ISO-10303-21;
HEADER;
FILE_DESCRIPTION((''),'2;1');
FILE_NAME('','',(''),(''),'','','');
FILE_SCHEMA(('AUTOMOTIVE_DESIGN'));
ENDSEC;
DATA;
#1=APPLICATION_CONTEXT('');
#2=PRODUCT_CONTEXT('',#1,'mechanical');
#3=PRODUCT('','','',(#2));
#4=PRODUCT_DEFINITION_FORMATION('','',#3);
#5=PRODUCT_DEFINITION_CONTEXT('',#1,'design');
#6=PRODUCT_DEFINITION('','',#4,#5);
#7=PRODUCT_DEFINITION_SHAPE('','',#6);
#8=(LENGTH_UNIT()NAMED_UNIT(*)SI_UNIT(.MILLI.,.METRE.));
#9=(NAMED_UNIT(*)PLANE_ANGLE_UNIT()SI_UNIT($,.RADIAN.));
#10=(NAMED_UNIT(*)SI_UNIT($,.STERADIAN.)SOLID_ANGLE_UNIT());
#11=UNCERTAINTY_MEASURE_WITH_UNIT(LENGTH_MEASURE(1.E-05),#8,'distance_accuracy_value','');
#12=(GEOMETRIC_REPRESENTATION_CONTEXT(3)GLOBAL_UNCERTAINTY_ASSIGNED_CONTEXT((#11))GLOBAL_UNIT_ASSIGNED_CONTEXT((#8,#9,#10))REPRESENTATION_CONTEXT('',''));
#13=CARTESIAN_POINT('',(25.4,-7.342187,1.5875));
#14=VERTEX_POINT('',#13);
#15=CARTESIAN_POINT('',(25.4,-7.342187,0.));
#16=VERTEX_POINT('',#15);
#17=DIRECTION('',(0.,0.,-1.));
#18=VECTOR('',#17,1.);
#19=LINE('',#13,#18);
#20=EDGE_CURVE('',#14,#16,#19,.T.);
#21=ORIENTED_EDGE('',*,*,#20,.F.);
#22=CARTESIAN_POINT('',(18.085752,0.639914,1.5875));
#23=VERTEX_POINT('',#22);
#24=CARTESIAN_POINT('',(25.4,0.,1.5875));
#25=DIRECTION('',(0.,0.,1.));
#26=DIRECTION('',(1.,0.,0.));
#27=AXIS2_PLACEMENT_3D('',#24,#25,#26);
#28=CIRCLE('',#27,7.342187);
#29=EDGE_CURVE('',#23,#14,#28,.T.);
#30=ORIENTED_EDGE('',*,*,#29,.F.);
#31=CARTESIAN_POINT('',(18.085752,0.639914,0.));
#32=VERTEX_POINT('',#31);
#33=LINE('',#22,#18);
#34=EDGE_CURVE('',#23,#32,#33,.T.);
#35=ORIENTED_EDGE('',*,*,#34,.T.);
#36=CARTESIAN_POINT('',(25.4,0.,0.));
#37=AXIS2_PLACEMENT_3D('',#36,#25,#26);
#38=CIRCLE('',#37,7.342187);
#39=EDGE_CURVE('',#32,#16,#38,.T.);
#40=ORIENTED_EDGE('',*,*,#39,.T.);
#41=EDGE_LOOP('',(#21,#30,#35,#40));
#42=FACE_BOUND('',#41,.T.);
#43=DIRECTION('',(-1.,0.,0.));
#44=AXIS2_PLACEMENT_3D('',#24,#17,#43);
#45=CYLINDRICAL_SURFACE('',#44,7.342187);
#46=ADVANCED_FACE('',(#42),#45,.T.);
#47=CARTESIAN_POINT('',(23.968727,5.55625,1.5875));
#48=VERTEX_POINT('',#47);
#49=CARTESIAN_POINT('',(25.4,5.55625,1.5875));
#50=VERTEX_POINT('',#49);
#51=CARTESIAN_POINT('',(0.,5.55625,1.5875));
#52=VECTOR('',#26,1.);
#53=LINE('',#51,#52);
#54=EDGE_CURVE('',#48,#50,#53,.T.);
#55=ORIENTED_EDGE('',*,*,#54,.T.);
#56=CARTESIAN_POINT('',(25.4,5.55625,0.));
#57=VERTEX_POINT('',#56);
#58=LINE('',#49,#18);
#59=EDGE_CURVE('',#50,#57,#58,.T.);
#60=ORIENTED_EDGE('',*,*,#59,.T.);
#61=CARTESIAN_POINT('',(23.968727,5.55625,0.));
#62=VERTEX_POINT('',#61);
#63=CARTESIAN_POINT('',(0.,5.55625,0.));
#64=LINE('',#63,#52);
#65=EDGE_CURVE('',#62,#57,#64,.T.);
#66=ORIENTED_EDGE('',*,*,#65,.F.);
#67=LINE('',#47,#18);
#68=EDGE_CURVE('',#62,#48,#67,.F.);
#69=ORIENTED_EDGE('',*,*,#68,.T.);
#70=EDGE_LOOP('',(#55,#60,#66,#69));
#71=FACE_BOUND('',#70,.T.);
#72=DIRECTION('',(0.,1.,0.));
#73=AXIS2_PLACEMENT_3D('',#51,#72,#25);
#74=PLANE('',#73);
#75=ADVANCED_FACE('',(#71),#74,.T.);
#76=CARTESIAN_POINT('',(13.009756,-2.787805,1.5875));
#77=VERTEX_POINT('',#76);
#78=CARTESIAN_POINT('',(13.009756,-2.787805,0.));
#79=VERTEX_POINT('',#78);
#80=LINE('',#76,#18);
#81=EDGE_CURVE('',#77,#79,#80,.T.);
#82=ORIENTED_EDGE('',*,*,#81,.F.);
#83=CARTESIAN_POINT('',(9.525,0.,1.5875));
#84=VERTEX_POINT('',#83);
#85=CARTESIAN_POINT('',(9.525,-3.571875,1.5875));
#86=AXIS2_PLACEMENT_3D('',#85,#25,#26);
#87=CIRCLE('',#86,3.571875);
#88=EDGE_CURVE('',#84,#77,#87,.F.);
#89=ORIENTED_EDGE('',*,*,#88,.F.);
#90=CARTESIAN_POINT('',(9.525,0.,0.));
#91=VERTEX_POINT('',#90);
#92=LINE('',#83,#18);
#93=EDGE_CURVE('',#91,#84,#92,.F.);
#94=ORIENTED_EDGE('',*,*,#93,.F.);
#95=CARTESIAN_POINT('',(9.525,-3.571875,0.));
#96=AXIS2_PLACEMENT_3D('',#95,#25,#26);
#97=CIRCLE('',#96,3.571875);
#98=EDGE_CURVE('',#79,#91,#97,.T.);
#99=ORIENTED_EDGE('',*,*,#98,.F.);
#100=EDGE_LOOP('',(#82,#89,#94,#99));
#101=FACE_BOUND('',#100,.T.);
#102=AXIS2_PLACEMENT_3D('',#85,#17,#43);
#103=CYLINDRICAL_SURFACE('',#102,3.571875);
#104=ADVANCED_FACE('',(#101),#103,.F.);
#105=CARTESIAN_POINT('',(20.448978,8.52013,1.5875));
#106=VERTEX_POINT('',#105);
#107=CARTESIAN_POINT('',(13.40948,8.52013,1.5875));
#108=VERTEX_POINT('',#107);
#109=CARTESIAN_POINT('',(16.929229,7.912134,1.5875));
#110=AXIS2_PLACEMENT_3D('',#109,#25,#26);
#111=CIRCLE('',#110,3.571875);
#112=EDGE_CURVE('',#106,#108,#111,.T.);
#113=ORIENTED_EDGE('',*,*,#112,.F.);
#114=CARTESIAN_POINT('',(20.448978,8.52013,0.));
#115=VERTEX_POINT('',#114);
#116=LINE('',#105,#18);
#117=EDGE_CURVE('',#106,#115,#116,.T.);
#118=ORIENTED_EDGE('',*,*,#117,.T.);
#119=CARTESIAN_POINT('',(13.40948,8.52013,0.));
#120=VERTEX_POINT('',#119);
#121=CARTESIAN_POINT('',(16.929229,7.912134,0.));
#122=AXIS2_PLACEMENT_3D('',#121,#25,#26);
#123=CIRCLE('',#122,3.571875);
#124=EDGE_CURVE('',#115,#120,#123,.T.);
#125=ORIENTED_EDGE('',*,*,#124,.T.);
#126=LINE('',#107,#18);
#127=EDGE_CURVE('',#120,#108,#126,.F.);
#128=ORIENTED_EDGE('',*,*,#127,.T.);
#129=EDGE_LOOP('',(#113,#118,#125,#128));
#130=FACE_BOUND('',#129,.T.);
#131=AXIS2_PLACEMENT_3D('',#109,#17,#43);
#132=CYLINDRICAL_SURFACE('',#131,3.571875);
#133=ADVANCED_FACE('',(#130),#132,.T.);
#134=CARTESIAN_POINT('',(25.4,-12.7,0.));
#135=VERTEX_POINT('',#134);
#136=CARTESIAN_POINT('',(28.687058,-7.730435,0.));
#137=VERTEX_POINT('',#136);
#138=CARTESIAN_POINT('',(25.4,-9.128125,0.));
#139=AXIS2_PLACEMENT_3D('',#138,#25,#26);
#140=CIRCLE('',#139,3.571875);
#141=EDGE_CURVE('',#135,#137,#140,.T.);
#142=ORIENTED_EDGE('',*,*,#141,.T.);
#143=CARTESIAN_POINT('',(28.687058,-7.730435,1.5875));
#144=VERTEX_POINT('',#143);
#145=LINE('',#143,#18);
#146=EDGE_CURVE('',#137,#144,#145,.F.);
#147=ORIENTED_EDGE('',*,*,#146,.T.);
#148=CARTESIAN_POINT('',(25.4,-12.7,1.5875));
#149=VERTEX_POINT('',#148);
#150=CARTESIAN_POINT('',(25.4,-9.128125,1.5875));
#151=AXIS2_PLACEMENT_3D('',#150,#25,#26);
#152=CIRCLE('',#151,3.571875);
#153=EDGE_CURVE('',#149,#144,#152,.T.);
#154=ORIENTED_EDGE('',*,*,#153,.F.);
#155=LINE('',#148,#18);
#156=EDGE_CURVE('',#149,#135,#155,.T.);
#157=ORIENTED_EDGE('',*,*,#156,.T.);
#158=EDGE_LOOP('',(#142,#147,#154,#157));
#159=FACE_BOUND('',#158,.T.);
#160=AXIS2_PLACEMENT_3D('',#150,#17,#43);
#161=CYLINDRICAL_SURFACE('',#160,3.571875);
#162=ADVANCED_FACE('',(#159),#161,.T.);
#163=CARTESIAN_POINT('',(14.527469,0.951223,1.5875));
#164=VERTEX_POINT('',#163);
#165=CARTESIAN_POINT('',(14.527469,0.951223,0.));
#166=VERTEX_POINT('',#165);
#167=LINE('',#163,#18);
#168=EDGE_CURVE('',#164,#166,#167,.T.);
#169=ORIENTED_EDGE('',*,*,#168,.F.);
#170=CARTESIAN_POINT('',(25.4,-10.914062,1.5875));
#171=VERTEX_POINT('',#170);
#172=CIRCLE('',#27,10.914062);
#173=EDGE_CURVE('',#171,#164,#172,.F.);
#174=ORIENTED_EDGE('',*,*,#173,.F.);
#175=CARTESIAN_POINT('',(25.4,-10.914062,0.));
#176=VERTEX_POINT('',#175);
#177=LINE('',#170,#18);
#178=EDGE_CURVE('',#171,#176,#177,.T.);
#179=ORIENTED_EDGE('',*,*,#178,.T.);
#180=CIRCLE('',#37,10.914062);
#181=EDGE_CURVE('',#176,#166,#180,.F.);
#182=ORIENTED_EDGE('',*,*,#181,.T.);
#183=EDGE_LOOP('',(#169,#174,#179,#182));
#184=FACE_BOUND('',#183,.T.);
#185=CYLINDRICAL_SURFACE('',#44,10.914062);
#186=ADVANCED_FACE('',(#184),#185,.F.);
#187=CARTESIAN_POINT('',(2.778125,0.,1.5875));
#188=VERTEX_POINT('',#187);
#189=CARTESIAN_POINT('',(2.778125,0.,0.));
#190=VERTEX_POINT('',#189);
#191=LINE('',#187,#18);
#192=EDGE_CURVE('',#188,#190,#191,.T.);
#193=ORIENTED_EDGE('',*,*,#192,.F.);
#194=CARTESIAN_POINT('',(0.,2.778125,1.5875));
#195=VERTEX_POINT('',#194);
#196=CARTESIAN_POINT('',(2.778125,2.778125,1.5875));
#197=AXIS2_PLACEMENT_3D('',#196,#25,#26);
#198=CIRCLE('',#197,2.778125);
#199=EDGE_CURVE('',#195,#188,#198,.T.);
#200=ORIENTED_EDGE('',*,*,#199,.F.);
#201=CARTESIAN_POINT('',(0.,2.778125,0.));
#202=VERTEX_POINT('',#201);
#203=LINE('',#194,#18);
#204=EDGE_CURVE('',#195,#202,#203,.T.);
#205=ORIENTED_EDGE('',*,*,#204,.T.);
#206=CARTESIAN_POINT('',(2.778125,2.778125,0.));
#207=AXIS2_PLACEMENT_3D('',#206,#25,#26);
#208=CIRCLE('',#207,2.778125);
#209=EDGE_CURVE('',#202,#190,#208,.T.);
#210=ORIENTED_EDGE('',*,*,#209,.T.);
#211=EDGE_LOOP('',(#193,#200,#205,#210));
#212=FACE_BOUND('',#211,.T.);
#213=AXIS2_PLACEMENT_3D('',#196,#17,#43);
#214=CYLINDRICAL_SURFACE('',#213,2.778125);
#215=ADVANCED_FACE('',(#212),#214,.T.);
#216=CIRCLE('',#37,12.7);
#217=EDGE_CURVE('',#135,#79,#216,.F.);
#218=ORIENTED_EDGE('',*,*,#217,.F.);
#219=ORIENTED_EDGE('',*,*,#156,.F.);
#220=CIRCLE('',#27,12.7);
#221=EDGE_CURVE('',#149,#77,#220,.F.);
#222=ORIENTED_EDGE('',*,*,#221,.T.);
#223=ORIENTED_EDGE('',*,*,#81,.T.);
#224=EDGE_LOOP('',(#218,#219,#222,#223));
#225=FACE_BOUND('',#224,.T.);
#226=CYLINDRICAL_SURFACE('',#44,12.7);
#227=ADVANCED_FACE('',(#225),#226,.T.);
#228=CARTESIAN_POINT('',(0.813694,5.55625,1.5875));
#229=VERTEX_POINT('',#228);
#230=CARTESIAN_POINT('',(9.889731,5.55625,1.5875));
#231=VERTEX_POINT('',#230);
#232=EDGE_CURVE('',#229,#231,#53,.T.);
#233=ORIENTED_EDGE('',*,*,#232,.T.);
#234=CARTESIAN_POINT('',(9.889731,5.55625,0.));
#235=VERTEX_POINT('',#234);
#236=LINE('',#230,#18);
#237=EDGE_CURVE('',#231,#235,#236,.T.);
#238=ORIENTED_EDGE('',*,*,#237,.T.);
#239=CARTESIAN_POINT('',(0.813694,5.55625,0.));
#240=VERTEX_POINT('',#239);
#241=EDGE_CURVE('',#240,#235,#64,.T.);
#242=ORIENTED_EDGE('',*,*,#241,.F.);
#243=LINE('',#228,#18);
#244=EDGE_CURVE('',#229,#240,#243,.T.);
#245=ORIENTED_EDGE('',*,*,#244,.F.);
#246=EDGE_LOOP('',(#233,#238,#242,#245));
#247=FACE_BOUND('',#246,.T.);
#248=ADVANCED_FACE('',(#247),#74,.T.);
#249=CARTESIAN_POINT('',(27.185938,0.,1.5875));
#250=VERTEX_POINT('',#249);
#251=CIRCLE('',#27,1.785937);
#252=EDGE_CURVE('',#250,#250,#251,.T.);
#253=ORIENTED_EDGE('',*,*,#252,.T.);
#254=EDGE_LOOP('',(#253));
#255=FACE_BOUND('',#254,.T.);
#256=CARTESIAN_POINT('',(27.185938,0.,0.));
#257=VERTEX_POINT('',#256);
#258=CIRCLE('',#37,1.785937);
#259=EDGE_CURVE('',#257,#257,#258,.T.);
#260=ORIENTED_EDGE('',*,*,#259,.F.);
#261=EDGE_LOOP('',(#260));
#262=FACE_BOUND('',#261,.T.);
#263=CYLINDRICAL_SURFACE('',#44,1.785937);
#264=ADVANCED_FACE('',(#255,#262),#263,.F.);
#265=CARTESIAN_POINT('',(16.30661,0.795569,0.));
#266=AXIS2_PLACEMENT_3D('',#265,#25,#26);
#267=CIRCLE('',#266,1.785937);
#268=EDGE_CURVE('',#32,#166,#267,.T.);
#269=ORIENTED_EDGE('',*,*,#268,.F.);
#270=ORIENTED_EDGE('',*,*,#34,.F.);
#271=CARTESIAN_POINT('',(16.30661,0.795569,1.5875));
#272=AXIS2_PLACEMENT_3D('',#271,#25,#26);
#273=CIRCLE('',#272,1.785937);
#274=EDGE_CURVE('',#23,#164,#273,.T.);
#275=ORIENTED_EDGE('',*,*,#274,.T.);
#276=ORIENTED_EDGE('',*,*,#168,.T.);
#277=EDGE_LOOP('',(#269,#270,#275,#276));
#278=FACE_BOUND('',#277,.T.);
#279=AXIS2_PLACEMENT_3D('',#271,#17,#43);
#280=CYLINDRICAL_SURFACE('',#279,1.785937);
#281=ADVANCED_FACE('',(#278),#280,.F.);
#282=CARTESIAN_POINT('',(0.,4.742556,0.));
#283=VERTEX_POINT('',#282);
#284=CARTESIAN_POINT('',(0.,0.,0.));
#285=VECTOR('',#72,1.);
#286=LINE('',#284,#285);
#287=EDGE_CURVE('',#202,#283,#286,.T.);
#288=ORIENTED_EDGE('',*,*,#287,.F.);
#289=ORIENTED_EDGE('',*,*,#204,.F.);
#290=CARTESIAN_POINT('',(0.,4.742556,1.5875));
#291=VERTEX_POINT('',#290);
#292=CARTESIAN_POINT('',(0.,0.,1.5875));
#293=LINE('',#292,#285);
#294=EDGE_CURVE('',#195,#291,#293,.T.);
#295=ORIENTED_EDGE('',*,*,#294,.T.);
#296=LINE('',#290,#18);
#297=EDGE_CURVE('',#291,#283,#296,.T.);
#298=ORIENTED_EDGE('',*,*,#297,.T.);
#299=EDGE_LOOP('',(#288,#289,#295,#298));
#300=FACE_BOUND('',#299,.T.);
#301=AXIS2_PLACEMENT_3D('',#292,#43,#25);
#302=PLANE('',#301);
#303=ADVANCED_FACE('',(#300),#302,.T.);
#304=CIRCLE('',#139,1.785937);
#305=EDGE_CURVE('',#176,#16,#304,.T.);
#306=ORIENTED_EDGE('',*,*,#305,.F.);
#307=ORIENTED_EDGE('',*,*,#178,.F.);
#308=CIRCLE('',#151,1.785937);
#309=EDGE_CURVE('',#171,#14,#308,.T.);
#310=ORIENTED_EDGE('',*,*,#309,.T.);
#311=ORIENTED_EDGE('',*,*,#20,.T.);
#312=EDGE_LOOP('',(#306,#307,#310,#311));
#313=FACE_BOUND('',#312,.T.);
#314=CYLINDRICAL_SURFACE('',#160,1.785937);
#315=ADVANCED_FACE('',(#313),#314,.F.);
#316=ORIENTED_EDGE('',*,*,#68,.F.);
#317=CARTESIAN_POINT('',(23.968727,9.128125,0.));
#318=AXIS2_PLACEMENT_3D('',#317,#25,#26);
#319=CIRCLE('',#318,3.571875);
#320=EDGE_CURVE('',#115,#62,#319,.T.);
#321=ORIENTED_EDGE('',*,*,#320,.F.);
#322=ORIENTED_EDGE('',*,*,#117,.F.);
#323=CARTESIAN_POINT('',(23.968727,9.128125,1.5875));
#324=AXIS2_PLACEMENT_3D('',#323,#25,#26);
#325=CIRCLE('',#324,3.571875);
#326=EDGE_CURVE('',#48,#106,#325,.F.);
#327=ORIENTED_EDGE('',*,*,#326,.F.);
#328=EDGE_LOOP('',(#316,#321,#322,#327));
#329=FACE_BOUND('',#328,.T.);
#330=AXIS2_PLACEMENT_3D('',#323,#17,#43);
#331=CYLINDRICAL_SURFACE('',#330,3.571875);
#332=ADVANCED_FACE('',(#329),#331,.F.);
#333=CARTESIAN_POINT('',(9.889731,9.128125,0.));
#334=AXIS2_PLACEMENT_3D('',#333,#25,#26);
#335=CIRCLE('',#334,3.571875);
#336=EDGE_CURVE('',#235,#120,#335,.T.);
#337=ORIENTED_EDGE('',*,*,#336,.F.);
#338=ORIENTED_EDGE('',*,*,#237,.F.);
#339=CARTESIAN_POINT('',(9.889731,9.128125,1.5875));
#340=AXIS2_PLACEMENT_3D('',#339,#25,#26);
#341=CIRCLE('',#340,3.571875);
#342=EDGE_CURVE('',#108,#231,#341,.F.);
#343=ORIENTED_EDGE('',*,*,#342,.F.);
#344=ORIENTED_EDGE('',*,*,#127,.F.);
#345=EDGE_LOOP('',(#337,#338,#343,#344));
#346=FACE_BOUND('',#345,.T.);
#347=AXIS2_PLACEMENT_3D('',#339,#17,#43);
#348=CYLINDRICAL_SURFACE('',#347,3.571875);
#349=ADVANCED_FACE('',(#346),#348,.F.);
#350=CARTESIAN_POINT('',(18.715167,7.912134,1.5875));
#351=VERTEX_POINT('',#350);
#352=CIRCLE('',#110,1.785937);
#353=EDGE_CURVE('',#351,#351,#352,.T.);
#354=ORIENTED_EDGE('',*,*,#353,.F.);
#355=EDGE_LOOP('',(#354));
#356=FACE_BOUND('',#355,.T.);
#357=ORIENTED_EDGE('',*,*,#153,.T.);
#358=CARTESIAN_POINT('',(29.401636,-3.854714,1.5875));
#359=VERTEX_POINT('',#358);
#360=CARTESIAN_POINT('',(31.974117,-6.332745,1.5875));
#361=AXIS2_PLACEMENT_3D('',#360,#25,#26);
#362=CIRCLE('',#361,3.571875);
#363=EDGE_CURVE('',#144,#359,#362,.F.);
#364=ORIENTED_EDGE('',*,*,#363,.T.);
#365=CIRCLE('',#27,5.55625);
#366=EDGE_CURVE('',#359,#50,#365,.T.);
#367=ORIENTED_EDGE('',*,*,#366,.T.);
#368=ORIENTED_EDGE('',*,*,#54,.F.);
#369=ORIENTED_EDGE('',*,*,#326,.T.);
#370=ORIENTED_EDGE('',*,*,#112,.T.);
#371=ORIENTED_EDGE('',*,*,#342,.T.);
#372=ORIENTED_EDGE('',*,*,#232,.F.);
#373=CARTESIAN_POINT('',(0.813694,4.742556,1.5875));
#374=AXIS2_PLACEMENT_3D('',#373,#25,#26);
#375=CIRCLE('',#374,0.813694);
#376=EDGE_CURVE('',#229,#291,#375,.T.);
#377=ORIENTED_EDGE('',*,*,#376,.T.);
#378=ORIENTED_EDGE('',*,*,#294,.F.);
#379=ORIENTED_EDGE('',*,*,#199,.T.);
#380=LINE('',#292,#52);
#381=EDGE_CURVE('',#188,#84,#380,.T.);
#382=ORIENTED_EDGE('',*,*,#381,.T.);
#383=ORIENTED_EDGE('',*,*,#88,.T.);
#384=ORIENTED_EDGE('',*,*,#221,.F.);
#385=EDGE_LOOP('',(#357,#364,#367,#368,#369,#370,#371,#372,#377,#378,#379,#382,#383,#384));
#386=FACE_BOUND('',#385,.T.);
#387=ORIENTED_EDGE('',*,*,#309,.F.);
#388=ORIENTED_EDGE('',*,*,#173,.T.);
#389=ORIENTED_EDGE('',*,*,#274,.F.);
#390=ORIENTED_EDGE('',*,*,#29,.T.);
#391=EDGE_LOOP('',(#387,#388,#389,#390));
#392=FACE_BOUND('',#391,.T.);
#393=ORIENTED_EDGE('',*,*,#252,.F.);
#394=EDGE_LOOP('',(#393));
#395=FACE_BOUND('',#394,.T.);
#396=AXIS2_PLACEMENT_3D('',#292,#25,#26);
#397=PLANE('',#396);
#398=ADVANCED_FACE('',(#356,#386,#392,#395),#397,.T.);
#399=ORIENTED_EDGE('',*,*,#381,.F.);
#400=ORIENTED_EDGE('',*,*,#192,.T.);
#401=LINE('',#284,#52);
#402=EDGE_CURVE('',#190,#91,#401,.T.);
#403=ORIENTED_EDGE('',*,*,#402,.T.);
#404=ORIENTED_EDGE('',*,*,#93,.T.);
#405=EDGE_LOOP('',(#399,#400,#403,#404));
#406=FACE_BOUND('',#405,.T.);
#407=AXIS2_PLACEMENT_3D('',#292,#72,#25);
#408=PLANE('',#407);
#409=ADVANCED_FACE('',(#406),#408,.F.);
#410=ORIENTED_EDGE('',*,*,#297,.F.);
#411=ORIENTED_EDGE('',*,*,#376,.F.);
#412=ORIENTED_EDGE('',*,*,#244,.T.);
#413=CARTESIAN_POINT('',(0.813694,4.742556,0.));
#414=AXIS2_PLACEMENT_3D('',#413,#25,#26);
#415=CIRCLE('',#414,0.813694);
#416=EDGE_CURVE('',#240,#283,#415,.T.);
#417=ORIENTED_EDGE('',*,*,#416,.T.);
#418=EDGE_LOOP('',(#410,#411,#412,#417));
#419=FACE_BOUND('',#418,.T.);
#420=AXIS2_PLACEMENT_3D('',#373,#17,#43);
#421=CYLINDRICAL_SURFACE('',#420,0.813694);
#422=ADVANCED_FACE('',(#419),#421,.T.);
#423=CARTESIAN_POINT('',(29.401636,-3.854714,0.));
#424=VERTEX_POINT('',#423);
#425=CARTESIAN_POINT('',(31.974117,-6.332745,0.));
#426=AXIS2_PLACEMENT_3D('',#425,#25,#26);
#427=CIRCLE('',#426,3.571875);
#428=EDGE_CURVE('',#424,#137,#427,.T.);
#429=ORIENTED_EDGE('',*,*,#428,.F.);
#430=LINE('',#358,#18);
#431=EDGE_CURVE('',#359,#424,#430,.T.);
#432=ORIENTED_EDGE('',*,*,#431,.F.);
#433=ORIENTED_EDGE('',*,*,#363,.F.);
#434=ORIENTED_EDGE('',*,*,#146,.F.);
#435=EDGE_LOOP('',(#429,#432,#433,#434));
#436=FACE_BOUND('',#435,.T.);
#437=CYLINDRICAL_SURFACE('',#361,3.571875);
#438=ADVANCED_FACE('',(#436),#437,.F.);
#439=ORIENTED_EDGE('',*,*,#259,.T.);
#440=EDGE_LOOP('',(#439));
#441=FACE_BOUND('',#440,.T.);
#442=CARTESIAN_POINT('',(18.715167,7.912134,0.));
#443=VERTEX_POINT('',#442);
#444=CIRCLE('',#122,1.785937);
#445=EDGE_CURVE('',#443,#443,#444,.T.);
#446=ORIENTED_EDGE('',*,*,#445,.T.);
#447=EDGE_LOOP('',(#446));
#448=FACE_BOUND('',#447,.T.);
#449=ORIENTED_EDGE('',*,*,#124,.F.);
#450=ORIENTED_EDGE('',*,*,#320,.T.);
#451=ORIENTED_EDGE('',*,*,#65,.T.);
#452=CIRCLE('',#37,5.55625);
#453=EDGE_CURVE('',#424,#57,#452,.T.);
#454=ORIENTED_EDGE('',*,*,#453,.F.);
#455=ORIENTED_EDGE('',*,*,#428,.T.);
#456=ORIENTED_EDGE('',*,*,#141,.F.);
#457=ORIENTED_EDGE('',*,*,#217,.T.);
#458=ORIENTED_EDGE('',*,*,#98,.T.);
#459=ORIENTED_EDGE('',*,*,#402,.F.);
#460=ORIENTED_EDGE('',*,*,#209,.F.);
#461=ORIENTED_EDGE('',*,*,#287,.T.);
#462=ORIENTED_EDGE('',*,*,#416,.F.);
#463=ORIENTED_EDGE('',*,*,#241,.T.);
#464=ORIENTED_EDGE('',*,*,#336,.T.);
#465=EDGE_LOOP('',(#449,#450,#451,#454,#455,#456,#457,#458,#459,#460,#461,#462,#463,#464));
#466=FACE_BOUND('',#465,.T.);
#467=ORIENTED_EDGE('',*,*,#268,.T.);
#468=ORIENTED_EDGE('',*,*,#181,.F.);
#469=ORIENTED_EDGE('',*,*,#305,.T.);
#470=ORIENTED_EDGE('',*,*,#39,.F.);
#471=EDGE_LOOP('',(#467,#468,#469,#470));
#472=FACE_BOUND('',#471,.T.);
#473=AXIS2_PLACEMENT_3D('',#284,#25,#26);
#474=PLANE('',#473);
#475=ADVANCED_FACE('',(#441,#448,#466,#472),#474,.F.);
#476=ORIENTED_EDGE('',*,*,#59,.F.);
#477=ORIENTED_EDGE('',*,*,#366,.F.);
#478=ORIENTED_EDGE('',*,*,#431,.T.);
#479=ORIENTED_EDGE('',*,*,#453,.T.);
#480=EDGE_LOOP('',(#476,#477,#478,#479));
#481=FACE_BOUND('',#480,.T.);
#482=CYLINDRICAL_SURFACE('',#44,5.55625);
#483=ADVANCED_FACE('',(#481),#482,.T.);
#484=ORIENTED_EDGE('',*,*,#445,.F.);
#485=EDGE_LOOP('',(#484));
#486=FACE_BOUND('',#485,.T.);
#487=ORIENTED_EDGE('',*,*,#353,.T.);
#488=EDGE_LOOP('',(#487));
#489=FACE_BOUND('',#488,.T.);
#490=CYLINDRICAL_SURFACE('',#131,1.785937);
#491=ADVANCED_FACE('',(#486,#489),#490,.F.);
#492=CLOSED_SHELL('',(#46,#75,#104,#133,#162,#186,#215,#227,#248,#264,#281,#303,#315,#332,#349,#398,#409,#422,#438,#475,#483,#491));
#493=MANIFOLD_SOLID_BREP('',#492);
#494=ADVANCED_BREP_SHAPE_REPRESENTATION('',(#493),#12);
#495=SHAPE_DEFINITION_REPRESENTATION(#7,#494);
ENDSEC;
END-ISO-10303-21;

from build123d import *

# Parameters (mm, degrees)
SKETCH1_R           = 1.7859375
BOSS_EXTRUDE1_DEPTH = 1.5875
FILLET1_R           = 3.571875


with BuildPart() as part:
    # Sketch1 → Boss-Extrude1 (new body)
    with BuildSketch(Plane.XY):
        with BuildLine():
            ThreePointArc((25.4, -12.7), (28.971875, -9.128125), (25.4, -5.55625))
            ThreePointArc((25.4, -5.55625), (30.95625, 0), (25.4, 5.55625))
            Line((25.4, 5.55625), (19.614019559, 5.55625))
            ThreePointArc((19.614019559, 5.55625), (16.929229109, 11.484009389), (14.244438658, 5.55625))
            Line((14.244438658, 5.55625), (0.813693974, 5.55625))
            ThreePointArc((0.813693974, 5.55625), (0.238325447, 5.317924553), (0, 4.742556026))
            Line((0, 4.742556026), (0, 2.778125))
            ThreePointArc((0, 2.778125), (0.813693974, 0.813693974), (2.778125, 0))
            Line((2.778125, 0), (12.7, 0))
            ThreePointArc((12.7, 0), (16.419743879, -8.980256121), (25.4, -12.7))
        make_face()
        with BuildLine():
            ThreePointArc((18.08575174, 0.639913805), (19.986771554, -4.960309977), (25.4, -7.3421875))
            ThreePointArc((25.4, -7.3421875), (27.1859375, -9.128125), (25.4, -10.9140625))
            ThreePointArc((25.4, -10.9140625), (17.353309066, -7.37343375), (14.527468803, 0.951223224))
            ThreePointArc((14.527468803, 0.951223224), (16.462264981, 2.574709983), (18.08575174, 0.639913805))
        make_face(mode=Mode.SUBTRACT)
        with Locations((25.4, 0)):
            Circle(SKETCH1_R, mode=Mode.SUBTRACT)
        with Locations((16.929229109, 7.912134389)):
            Circle(SKETCH1_R, mode=Mode.SUBTRACT)
    extrude(amount=BOSS_EXTRUDE1_DEPTH)

    # Fillet1
    fillet1_edges = [part.edges().sort_by_distance(p)[0] for p in [
        (14.244438658, 5.55625, 0.79375),
        (19.614019559, 5.55625, 0.79375),
        (25.4, -5.55625, 0.79375),
        (12.7, 0, 0.79375),
    ]]
    fillet(fillet1_edges, radius=FILLET1_R)


solid = part.part
